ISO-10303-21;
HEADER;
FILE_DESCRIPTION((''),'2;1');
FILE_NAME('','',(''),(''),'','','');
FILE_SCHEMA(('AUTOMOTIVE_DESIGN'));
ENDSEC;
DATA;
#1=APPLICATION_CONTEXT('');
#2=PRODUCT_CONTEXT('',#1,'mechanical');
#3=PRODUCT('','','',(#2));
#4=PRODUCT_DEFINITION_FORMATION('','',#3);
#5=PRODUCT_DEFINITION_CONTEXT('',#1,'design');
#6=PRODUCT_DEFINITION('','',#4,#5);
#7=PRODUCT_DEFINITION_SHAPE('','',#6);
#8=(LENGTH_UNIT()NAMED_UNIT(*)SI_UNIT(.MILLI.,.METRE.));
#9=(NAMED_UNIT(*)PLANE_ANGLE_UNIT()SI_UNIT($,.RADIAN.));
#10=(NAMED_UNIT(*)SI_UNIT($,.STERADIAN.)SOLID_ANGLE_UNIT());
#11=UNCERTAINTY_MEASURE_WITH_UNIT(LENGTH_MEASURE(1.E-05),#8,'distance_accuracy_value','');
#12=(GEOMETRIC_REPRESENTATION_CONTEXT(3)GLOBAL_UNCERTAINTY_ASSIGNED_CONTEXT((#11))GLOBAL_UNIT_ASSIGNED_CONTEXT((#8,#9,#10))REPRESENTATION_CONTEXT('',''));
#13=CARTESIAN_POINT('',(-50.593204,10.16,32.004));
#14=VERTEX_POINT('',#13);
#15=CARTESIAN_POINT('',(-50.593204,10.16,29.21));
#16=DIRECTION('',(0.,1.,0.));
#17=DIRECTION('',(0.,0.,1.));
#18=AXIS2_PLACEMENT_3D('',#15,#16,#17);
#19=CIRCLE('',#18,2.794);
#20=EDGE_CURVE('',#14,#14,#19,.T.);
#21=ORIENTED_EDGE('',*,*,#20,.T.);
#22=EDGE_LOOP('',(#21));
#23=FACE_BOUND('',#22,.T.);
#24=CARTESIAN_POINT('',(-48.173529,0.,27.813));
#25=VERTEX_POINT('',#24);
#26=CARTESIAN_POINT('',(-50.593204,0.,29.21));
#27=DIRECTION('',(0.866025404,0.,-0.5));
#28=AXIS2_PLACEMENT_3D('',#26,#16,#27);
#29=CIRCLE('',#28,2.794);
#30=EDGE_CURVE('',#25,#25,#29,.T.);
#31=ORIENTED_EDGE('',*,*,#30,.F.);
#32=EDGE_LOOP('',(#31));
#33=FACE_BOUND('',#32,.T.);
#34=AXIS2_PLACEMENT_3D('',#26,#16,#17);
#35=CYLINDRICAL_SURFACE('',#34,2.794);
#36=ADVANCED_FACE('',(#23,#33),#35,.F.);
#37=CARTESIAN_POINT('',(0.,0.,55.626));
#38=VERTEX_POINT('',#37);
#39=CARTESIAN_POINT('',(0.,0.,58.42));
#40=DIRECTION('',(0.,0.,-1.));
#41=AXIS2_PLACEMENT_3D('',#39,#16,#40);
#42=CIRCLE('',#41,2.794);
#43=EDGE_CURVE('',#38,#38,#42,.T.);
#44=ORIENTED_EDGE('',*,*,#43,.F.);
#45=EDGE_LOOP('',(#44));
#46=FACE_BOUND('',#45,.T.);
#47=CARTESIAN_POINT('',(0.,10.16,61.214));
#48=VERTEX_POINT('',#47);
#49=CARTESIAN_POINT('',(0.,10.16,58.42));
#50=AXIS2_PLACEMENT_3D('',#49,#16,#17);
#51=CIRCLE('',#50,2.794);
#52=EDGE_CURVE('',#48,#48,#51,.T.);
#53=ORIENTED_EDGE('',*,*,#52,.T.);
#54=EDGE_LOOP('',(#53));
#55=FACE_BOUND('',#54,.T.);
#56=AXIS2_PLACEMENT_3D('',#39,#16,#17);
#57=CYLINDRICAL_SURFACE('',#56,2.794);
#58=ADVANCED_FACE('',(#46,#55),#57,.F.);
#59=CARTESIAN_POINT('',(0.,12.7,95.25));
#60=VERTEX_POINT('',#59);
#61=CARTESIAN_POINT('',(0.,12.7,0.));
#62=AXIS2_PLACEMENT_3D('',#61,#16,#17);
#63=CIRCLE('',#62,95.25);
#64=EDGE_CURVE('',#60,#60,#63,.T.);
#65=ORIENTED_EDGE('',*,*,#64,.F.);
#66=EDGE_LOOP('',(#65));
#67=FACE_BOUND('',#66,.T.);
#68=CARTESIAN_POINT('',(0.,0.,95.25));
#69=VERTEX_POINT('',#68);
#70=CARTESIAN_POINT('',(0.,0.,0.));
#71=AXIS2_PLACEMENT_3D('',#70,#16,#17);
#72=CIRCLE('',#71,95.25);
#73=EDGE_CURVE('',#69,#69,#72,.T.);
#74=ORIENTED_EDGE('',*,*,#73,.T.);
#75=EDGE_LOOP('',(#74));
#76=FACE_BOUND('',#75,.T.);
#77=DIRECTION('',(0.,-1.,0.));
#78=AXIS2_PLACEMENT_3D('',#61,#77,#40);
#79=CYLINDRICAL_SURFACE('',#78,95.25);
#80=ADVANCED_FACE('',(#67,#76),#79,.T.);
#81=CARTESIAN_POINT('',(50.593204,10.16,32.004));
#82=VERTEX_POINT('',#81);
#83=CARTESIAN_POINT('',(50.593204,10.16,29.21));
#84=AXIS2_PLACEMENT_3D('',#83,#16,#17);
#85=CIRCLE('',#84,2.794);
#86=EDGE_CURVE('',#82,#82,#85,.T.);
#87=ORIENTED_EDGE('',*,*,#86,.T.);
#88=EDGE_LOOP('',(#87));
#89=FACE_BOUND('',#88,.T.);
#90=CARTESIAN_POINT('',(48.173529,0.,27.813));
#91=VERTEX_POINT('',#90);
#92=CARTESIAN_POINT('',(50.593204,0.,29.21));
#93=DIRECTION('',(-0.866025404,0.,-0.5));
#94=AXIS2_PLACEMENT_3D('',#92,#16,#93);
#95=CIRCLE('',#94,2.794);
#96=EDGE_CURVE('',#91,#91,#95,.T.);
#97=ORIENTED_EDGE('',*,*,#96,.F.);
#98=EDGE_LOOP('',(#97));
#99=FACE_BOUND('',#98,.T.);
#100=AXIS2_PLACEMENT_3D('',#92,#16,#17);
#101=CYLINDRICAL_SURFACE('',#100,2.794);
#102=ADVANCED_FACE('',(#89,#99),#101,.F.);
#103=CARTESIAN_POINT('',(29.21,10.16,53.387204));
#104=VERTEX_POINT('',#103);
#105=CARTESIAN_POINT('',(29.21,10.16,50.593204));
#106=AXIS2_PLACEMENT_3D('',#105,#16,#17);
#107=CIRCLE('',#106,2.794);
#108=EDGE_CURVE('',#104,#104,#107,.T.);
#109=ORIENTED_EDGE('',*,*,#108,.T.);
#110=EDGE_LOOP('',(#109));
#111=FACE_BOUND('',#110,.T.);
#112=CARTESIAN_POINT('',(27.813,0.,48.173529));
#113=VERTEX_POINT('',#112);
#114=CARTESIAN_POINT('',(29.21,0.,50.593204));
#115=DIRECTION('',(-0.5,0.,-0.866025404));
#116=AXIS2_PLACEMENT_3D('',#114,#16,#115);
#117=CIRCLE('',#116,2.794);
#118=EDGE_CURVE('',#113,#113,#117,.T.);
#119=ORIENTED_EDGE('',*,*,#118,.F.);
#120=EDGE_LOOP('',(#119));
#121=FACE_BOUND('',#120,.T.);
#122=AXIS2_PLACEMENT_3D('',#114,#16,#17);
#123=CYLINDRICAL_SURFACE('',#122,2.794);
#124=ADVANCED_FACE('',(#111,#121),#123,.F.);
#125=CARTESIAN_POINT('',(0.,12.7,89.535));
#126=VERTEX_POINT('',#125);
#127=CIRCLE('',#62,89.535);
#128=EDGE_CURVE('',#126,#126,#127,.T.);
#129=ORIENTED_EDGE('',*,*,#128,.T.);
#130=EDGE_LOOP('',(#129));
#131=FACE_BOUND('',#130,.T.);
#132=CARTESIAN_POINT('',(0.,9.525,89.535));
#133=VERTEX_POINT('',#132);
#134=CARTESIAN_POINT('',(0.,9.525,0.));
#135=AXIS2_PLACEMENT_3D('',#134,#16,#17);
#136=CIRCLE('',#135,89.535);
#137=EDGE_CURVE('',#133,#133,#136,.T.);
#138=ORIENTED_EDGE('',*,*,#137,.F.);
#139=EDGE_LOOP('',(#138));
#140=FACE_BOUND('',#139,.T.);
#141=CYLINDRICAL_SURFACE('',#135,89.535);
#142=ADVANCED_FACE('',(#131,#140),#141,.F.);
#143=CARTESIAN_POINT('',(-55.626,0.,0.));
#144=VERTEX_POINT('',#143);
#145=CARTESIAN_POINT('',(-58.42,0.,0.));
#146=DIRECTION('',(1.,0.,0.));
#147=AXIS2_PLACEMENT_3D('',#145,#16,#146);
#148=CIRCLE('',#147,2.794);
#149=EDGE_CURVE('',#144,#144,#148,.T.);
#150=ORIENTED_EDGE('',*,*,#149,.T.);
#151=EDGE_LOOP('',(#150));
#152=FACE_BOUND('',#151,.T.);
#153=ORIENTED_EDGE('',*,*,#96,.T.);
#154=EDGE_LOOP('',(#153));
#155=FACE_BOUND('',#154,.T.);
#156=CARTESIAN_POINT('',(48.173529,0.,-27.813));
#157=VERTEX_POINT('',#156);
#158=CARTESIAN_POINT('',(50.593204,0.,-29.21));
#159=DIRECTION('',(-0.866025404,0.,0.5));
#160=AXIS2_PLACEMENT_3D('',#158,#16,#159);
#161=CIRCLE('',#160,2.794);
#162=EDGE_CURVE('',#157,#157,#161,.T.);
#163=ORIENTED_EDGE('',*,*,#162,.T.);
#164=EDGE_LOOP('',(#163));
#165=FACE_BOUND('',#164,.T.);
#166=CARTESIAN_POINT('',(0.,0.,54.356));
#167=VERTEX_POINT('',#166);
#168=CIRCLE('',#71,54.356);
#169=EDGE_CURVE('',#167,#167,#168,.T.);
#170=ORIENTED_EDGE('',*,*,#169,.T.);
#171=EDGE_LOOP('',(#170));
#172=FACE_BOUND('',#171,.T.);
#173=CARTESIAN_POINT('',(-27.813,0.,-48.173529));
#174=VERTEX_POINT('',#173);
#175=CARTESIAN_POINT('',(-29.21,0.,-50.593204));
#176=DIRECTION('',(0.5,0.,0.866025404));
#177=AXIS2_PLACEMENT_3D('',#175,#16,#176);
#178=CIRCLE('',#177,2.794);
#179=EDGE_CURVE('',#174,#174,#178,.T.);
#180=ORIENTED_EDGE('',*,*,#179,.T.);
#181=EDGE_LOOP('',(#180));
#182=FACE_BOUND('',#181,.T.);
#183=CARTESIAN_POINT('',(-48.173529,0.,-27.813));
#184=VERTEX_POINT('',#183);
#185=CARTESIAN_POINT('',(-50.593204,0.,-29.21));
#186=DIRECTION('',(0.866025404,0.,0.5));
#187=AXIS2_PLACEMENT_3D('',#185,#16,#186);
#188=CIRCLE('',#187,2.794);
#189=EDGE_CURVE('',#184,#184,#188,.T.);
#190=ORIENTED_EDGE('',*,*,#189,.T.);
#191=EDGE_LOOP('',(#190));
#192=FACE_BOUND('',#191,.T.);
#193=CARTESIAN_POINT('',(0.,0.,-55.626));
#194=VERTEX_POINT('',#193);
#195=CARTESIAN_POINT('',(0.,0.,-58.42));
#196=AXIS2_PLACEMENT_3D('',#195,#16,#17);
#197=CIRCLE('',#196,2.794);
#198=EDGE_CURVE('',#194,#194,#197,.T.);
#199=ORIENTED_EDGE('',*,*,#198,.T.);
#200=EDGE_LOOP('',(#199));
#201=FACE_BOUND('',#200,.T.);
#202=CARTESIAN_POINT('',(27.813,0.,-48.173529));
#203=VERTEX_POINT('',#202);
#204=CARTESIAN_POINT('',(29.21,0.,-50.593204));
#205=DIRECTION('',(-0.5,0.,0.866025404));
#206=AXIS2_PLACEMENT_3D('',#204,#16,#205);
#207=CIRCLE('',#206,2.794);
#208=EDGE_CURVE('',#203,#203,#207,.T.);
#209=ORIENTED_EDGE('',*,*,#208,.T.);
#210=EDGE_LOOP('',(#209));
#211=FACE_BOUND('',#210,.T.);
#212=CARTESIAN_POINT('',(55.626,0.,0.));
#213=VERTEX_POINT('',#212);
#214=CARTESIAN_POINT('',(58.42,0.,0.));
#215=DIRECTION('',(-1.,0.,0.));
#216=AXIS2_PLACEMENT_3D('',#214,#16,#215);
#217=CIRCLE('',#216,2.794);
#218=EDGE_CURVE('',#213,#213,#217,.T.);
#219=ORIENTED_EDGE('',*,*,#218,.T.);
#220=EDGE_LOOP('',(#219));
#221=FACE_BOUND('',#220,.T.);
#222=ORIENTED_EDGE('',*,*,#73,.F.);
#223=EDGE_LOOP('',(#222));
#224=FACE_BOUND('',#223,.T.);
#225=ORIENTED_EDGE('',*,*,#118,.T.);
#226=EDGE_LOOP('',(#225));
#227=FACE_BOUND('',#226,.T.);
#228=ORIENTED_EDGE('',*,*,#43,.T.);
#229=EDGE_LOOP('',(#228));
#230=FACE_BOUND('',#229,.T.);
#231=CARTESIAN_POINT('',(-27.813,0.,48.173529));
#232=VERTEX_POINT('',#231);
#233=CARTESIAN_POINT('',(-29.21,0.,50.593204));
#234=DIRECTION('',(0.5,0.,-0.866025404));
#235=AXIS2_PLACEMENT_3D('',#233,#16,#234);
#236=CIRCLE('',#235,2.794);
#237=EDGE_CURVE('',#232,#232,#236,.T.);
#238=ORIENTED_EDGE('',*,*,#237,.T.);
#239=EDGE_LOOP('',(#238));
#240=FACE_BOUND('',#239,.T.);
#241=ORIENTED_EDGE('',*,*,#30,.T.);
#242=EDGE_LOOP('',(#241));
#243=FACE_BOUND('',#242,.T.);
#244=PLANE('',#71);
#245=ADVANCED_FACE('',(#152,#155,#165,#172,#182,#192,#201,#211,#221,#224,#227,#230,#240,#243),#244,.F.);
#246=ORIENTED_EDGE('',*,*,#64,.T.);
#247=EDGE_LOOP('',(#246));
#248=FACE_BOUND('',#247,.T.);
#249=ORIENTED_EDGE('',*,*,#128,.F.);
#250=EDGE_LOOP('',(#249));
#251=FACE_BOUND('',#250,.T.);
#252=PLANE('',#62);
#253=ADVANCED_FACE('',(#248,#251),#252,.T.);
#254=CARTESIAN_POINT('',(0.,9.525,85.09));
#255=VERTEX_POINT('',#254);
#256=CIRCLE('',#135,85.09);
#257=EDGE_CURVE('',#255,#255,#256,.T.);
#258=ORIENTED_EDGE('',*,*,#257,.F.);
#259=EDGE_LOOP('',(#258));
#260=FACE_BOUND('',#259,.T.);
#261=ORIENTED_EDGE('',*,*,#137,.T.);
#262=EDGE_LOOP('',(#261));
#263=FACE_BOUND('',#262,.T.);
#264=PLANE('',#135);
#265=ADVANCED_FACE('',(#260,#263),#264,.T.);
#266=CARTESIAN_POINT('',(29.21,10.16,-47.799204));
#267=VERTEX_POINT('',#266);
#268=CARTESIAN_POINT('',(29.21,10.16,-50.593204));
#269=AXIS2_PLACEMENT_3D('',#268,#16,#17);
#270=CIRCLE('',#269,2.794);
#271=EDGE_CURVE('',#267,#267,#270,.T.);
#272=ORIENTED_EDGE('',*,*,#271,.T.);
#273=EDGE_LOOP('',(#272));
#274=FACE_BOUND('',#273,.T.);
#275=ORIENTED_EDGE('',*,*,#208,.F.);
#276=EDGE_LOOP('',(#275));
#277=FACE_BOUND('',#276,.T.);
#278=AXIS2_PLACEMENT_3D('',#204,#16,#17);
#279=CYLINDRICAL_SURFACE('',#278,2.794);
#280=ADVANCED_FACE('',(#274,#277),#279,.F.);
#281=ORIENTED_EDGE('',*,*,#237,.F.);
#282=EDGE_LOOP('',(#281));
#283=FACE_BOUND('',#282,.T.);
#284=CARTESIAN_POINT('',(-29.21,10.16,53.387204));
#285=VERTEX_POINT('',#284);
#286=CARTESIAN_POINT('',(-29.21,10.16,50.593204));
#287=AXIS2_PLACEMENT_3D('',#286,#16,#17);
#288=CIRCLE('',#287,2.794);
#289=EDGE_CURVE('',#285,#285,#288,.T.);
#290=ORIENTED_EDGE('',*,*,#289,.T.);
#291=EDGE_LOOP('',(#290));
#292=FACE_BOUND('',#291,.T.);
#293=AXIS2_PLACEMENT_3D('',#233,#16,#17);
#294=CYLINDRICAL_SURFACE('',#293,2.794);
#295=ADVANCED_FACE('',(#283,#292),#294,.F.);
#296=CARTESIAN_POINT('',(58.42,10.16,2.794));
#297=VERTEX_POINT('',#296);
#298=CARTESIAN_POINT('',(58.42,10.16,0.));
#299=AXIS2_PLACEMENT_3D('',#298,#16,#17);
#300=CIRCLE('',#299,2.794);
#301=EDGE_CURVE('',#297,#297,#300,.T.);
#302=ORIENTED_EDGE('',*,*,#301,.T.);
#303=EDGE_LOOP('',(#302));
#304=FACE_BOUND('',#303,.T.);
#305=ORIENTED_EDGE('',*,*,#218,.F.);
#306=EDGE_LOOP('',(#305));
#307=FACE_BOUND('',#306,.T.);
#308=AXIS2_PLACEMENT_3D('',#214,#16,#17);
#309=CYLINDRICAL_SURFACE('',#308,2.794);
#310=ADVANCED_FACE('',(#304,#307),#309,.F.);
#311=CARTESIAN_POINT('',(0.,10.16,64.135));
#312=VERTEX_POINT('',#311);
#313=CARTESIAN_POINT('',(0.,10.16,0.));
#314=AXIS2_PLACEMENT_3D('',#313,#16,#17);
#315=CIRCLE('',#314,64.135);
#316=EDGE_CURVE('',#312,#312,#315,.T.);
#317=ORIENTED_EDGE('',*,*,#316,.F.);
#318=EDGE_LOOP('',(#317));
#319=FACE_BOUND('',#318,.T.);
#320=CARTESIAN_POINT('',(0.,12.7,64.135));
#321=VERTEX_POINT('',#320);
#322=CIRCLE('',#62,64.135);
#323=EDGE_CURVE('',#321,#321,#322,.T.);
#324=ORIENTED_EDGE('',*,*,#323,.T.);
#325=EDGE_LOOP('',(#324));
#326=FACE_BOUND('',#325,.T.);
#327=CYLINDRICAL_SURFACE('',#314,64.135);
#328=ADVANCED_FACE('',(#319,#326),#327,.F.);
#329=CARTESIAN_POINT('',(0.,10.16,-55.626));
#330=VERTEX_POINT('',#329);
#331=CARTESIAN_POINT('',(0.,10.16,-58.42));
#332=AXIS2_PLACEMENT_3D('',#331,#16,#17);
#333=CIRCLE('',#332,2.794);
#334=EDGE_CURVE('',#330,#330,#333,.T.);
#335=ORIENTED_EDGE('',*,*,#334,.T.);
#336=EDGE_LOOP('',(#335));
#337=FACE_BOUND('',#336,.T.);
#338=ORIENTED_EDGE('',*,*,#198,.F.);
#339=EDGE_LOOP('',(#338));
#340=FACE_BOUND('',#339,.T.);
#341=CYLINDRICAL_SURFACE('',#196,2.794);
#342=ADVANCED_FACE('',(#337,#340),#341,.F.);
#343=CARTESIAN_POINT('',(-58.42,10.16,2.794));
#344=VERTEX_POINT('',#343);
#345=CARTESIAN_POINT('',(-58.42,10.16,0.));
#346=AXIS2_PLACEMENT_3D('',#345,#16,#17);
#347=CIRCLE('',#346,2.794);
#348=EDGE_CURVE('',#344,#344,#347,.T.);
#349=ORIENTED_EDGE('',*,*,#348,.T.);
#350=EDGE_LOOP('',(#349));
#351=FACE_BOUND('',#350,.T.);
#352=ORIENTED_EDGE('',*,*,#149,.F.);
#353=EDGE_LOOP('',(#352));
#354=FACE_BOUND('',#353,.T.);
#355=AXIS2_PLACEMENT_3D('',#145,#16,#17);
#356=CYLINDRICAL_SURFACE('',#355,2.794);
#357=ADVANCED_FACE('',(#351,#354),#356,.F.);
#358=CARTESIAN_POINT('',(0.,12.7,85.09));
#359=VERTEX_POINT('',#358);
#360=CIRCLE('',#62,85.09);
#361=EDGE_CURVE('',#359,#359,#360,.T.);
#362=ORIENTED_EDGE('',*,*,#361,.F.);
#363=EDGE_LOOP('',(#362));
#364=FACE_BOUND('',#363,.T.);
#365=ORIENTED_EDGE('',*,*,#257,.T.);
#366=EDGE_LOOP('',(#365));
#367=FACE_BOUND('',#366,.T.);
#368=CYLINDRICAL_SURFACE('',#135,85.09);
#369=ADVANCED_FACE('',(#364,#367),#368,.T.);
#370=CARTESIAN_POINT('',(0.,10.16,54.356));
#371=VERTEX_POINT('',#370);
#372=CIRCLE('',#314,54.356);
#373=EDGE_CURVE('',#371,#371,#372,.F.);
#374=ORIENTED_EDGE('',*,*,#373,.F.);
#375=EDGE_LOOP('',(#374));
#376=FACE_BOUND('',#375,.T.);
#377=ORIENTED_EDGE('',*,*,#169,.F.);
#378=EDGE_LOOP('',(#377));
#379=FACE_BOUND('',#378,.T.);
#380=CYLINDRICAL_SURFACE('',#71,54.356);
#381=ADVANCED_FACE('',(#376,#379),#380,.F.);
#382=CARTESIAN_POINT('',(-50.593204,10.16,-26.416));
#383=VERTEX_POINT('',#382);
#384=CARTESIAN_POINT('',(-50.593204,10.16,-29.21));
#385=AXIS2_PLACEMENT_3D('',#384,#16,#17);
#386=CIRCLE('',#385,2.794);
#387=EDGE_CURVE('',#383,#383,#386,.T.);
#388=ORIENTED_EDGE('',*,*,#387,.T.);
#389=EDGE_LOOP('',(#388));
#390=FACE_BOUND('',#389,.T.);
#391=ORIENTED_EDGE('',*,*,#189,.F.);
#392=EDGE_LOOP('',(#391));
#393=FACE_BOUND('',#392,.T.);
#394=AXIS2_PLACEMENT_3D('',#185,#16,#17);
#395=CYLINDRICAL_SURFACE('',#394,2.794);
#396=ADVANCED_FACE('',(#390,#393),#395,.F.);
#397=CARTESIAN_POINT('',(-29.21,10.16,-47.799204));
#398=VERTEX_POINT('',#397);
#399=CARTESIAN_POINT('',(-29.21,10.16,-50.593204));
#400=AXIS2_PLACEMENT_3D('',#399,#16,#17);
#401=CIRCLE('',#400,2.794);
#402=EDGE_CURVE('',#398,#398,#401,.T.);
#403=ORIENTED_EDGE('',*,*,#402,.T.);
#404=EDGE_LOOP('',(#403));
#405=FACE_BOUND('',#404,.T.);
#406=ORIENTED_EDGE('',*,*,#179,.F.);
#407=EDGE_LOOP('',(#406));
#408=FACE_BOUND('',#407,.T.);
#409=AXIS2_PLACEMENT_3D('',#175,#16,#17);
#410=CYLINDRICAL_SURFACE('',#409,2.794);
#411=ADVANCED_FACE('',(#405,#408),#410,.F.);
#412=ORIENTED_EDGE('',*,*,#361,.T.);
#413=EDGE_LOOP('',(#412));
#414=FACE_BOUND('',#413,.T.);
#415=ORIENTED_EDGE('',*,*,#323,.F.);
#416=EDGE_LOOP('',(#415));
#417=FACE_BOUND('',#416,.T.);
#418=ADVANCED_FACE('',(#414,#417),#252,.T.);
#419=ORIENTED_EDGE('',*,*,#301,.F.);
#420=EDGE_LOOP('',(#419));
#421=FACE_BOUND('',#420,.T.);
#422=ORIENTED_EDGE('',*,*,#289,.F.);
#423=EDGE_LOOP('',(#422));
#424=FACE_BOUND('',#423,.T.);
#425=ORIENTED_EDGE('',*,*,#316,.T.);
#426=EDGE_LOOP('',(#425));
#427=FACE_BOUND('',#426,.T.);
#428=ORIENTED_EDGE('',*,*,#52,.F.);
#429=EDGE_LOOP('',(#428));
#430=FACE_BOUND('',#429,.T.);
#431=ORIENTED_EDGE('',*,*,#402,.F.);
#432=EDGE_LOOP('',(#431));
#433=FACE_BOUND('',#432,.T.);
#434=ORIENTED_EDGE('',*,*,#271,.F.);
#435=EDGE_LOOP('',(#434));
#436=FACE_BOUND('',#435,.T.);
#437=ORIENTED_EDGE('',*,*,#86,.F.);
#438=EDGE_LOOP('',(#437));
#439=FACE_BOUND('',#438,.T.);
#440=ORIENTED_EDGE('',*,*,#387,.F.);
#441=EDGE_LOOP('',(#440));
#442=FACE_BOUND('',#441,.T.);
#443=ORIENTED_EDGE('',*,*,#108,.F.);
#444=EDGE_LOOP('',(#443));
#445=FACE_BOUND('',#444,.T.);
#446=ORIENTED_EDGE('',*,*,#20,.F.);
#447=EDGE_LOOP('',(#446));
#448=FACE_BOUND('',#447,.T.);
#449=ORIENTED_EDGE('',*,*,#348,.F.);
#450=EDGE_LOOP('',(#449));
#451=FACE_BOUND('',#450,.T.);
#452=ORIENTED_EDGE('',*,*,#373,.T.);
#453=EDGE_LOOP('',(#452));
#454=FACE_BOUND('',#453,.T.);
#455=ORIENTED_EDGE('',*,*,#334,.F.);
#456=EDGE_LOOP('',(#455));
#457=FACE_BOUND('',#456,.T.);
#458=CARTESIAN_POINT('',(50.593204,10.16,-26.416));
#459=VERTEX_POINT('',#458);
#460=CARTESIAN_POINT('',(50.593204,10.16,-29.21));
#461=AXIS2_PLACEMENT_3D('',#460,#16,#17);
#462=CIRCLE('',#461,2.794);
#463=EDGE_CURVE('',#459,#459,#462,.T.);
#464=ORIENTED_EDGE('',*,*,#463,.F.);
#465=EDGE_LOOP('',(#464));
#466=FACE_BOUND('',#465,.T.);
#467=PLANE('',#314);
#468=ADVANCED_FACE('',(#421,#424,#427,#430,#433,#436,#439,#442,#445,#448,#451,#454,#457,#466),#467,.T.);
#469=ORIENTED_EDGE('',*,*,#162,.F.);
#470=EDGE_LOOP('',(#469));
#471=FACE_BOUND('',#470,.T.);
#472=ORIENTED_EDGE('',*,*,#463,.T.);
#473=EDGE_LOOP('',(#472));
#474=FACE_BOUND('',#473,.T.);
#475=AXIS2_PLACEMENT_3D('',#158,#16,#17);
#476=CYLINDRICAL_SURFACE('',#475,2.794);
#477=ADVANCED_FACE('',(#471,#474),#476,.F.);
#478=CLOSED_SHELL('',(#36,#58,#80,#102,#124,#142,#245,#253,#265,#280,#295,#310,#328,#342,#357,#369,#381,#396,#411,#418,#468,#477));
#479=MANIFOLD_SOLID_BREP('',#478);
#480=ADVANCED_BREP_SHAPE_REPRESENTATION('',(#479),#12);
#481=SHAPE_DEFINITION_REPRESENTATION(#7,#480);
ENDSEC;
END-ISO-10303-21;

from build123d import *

# Parameters (mm, degrees)
SKETCH1_R           = 95.25
BOSS_EXTRUDE1_DEPTH = 12.7
SKETCH2_R           = 54.356
CUT_EXTRUDE1_DEPTH  = 13.7
SKETCH3_R           = 64.135
CUT_EXTRUDE2_DEPTH  = 2.54
SKETCH4_R           = 2.794
CUT_EXTRUDE3_DEPTH  = 13.7
CIRPATTERN1_COUNT   = 12
SKETCH5_R           = 89.535
SKETCH5_R_2         = 85.09
CUT_EXTRUDE4_DEPTH  = 3.175


with BuildPart() as part:
    # Sketch1 → Boss-Extrude1 (new body)
    with BuildSketch(Plane(origin=(0, 0, 0), x_dir=(1, 0, 0), z_dir=(0, 1, 0))):
        Circle(SKETCH1_R)
    extrude(amount=BOSS_EXTRUDE1_DEPTH)

    # Sketch2 → Cut-Extrude1 (cut, through all)
    with BuildSketch(Plane(origin=(0, 12.7, 0), x_dir=(1, 0, 0), z_dir=(0, 1, 0))):
        Circle(SKETCH2_R)
    extrude(amount=-CUT_EXTRUDE1_DEPTH, mode=Mode.SUBTRACT)

    # Sketch3 → Cut-Extrude2 (cut)
    with BuildSketch(Plane(origin=(0, 12.7, 0), x_dir=(1, 0, 0), z_dir=(0, 1, 0))):
        Circle(SKETCH3_R)
    extrude(amount=-CUT_EXTRUDE2_DEPTH, mode=Mode.SUBTRACT)

    # Sketch4 → Cut-Extrude3 (cut, through all)
    with BuildSketch(Plane(origin=(0, 12.7, 0), x_dir=(1, 0, 0), z_dir=(0, 1, 0))):
        with Locations((0, 58.42)):
            Circle(SKETCH4_R)
    cut_extrude3 = extrude(amount=-CUT_EXTRUDE3_DEPTH, mode=Mode.SUBTRACT)

    # CirPattern1: Cut-Extrude3 ×12 about axis
    cirpattern1_axis = Axis((0, 0, 0), (0, 1, 0))
    for i in range(1, CIRPATTERN1_COUNT):
        add(cut_extrude3.rotate(cirpattern1_axis, i * 360 / CIRPATTERN1_COUNT), mode=Mode.SUBTRACT)

    # Sketch5 → Cut-Extrude4 (cut)
    with BuildSketch(Plane(origin=(0, 12.7, 0), x_dir=(1, 0, 0), z_dir=(0, 1, 0))):
        Circle(SKETCH5_R)
        Circle(SKETCH5_R_2, mode=Mode.SUBTRACT)
    extrude(amount=-CUT_EXTRUDE4_DEPTH, mode=Mode.SUBTRACT)


solid = part.part
